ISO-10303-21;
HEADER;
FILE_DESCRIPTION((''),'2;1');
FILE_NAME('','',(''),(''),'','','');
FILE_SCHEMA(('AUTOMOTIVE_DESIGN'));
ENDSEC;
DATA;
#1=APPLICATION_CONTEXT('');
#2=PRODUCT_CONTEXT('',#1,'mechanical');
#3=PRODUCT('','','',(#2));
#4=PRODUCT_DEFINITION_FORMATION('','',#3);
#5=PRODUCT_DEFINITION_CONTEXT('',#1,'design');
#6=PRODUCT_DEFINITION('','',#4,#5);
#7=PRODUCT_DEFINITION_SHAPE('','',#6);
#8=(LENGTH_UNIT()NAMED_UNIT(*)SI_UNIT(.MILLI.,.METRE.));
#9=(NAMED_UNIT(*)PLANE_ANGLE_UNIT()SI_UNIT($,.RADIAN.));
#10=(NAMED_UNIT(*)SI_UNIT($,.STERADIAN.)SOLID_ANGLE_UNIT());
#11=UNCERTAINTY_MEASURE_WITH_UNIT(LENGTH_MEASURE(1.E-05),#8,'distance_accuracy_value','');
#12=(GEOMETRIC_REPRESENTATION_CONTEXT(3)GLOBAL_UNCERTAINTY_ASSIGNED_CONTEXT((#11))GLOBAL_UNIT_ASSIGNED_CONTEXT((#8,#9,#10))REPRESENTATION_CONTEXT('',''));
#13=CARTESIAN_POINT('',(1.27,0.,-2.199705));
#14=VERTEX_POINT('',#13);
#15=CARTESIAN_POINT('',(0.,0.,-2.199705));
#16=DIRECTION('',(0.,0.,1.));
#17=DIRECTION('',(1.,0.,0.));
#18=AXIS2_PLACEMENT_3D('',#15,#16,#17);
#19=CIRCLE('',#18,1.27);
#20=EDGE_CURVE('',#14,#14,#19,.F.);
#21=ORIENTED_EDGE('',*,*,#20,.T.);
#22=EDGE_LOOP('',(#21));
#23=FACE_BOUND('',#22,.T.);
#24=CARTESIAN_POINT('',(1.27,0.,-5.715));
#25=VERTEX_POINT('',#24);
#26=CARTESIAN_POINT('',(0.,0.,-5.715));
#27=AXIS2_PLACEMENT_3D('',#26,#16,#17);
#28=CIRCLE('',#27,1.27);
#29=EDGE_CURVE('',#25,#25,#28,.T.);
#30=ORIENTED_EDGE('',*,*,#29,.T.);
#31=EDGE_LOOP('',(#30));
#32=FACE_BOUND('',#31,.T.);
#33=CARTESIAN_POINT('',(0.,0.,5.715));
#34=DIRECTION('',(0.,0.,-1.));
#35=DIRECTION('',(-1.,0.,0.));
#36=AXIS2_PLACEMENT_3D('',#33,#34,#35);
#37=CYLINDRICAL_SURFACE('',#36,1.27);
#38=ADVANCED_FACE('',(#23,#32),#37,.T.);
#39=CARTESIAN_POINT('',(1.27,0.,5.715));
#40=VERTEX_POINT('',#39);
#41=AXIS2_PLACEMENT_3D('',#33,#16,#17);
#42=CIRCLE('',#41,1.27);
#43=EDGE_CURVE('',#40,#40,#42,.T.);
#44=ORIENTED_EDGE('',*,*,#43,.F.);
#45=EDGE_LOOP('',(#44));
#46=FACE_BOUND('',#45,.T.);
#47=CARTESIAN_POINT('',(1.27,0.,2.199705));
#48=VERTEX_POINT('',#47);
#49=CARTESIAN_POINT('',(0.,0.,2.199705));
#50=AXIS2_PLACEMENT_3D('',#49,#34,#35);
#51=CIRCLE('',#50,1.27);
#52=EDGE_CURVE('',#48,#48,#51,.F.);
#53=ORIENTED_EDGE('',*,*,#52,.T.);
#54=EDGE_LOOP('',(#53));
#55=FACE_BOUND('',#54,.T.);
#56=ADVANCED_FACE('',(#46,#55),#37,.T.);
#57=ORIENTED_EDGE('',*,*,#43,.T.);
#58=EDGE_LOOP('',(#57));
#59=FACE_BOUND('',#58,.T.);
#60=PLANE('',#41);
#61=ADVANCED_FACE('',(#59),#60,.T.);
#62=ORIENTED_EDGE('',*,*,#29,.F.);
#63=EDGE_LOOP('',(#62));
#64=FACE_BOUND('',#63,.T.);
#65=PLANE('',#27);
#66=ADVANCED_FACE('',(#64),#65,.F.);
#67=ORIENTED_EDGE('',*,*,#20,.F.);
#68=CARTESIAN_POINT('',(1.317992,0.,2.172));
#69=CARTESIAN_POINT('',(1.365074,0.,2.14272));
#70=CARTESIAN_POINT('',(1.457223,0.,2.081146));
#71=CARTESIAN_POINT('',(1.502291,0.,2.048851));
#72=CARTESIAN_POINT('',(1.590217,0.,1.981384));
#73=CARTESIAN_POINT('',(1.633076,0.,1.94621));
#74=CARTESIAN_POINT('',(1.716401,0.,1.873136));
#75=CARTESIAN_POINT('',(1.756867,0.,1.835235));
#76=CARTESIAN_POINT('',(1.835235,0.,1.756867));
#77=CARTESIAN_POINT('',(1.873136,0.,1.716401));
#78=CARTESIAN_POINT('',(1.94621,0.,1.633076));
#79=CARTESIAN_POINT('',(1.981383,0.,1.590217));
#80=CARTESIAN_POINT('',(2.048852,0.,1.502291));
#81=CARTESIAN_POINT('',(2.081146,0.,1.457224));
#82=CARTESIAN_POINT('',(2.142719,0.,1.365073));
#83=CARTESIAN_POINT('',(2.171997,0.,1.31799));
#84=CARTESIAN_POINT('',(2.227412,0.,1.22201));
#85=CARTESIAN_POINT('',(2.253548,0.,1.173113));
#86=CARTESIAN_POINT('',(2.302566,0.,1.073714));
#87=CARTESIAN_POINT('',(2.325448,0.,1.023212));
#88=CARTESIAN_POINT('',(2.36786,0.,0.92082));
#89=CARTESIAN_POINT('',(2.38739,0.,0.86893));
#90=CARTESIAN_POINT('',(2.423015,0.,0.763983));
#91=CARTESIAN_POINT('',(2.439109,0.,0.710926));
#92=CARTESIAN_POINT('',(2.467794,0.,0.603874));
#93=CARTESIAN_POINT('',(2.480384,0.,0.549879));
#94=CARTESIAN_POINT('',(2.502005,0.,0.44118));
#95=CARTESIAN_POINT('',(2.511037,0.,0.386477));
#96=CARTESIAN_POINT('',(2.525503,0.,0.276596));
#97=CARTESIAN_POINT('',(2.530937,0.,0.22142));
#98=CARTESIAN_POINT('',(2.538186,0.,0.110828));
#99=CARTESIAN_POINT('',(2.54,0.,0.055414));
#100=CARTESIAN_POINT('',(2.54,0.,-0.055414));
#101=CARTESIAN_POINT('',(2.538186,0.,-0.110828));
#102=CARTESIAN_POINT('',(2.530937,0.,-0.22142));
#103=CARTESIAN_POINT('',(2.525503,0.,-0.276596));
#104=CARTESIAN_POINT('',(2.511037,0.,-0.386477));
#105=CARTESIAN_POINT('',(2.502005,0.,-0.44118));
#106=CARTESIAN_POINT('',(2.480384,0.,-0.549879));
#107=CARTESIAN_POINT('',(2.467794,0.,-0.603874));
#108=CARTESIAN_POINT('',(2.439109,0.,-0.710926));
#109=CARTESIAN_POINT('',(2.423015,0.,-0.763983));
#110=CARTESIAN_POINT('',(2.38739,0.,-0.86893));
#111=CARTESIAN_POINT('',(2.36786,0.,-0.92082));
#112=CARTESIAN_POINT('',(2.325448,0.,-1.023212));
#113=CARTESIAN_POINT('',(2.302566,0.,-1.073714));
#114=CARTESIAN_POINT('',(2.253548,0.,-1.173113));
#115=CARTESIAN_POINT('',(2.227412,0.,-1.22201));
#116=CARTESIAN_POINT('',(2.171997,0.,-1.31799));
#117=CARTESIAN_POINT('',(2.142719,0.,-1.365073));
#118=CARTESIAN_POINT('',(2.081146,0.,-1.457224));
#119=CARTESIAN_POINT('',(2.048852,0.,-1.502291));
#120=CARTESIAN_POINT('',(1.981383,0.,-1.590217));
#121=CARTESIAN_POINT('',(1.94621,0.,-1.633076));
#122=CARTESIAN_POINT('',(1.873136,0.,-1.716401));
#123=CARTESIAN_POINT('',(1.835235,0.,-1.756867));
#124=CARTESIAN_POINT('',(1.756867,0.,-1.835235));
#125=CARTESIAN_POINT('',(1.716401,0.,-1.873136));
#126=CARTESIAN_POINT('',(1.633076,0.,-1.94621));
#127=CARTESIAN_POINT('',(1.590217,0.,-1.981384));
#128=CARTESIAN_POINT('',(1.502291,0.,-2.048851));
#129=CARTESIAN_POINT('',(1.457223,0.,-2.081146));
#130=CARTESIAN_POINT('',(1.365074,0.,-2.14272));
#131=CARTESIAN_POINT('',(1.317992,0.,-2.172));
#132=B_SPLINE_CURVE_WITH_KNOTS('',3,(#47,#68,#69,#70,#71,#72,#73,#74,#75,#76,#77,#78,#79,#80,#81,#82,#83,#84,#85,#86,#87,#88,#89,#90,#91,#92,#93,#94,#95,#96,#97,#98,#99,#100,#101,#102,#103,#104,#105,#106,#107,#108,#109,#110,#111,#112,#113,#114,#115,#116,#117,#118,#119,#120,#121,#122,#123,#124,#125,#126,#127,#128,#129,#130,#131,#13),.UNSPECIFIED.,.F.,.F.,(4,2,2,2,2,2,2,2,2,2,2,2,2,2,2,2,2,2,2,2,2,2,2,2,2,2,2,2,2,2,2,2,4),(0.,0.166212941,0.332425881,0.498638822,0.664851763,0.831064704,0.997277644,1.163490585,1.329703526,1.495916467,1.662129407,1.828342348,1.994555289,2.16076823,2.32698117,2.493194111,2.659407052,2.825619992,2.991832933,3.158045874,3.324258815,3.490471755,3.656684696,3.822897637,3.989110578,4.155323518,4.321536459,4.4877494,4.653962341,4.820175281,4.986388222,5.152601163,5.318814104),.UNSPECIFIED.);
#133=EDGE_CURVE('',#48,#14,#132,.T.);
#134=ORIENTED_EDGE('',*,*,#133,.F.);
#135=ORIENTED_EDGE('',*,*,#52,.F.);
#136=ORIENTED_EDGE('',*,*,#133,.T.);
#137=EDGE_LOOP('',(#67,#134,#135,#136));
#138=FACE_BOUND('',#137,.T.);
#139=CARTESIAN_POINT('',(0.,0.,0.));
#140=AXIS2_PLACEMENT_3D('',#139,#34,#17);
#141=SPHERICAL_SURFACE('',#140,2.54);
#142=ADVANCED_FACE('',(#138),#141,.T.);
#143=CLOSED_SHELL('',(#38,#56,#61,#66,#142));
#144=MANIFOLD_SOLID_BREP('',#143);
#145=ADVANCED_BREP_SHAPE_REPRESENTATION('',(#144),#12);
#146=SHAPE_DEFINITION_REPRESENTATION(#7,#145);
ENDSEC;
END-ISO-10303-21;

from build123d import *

# Parameters (mm, degrees)
SKETCH2_R           = 1.27
BOSS_EXTRUDE1_DEPTH = 5.715


with BuildPart() as part:
    # Sketch1 → Revolve1 (revolve)
    with BuildSketch(Plane(origin=(0, 0, 0), x_dir=(1, 0, 0), z_dir=(0, 1, 0))):
        with BuildLine():
            Line((0, 2.54), (0, -2.54))
            ThreePointArc((0, -2.54), (2.54, 0), (0, 2.54))
        make_face()
    revolve(axis=Axis((0, 0, -2.54), (0, 0, 1)))

    # Sketch2 → Boss-Extrude1 (add, symmetric)
    with BuildSketch(Plane.XY):
        Circle(SKETCH2_R)
    extrude(amount=BOSS_EXTRUDE1_DEPTH, both=True)


solid = part.part
